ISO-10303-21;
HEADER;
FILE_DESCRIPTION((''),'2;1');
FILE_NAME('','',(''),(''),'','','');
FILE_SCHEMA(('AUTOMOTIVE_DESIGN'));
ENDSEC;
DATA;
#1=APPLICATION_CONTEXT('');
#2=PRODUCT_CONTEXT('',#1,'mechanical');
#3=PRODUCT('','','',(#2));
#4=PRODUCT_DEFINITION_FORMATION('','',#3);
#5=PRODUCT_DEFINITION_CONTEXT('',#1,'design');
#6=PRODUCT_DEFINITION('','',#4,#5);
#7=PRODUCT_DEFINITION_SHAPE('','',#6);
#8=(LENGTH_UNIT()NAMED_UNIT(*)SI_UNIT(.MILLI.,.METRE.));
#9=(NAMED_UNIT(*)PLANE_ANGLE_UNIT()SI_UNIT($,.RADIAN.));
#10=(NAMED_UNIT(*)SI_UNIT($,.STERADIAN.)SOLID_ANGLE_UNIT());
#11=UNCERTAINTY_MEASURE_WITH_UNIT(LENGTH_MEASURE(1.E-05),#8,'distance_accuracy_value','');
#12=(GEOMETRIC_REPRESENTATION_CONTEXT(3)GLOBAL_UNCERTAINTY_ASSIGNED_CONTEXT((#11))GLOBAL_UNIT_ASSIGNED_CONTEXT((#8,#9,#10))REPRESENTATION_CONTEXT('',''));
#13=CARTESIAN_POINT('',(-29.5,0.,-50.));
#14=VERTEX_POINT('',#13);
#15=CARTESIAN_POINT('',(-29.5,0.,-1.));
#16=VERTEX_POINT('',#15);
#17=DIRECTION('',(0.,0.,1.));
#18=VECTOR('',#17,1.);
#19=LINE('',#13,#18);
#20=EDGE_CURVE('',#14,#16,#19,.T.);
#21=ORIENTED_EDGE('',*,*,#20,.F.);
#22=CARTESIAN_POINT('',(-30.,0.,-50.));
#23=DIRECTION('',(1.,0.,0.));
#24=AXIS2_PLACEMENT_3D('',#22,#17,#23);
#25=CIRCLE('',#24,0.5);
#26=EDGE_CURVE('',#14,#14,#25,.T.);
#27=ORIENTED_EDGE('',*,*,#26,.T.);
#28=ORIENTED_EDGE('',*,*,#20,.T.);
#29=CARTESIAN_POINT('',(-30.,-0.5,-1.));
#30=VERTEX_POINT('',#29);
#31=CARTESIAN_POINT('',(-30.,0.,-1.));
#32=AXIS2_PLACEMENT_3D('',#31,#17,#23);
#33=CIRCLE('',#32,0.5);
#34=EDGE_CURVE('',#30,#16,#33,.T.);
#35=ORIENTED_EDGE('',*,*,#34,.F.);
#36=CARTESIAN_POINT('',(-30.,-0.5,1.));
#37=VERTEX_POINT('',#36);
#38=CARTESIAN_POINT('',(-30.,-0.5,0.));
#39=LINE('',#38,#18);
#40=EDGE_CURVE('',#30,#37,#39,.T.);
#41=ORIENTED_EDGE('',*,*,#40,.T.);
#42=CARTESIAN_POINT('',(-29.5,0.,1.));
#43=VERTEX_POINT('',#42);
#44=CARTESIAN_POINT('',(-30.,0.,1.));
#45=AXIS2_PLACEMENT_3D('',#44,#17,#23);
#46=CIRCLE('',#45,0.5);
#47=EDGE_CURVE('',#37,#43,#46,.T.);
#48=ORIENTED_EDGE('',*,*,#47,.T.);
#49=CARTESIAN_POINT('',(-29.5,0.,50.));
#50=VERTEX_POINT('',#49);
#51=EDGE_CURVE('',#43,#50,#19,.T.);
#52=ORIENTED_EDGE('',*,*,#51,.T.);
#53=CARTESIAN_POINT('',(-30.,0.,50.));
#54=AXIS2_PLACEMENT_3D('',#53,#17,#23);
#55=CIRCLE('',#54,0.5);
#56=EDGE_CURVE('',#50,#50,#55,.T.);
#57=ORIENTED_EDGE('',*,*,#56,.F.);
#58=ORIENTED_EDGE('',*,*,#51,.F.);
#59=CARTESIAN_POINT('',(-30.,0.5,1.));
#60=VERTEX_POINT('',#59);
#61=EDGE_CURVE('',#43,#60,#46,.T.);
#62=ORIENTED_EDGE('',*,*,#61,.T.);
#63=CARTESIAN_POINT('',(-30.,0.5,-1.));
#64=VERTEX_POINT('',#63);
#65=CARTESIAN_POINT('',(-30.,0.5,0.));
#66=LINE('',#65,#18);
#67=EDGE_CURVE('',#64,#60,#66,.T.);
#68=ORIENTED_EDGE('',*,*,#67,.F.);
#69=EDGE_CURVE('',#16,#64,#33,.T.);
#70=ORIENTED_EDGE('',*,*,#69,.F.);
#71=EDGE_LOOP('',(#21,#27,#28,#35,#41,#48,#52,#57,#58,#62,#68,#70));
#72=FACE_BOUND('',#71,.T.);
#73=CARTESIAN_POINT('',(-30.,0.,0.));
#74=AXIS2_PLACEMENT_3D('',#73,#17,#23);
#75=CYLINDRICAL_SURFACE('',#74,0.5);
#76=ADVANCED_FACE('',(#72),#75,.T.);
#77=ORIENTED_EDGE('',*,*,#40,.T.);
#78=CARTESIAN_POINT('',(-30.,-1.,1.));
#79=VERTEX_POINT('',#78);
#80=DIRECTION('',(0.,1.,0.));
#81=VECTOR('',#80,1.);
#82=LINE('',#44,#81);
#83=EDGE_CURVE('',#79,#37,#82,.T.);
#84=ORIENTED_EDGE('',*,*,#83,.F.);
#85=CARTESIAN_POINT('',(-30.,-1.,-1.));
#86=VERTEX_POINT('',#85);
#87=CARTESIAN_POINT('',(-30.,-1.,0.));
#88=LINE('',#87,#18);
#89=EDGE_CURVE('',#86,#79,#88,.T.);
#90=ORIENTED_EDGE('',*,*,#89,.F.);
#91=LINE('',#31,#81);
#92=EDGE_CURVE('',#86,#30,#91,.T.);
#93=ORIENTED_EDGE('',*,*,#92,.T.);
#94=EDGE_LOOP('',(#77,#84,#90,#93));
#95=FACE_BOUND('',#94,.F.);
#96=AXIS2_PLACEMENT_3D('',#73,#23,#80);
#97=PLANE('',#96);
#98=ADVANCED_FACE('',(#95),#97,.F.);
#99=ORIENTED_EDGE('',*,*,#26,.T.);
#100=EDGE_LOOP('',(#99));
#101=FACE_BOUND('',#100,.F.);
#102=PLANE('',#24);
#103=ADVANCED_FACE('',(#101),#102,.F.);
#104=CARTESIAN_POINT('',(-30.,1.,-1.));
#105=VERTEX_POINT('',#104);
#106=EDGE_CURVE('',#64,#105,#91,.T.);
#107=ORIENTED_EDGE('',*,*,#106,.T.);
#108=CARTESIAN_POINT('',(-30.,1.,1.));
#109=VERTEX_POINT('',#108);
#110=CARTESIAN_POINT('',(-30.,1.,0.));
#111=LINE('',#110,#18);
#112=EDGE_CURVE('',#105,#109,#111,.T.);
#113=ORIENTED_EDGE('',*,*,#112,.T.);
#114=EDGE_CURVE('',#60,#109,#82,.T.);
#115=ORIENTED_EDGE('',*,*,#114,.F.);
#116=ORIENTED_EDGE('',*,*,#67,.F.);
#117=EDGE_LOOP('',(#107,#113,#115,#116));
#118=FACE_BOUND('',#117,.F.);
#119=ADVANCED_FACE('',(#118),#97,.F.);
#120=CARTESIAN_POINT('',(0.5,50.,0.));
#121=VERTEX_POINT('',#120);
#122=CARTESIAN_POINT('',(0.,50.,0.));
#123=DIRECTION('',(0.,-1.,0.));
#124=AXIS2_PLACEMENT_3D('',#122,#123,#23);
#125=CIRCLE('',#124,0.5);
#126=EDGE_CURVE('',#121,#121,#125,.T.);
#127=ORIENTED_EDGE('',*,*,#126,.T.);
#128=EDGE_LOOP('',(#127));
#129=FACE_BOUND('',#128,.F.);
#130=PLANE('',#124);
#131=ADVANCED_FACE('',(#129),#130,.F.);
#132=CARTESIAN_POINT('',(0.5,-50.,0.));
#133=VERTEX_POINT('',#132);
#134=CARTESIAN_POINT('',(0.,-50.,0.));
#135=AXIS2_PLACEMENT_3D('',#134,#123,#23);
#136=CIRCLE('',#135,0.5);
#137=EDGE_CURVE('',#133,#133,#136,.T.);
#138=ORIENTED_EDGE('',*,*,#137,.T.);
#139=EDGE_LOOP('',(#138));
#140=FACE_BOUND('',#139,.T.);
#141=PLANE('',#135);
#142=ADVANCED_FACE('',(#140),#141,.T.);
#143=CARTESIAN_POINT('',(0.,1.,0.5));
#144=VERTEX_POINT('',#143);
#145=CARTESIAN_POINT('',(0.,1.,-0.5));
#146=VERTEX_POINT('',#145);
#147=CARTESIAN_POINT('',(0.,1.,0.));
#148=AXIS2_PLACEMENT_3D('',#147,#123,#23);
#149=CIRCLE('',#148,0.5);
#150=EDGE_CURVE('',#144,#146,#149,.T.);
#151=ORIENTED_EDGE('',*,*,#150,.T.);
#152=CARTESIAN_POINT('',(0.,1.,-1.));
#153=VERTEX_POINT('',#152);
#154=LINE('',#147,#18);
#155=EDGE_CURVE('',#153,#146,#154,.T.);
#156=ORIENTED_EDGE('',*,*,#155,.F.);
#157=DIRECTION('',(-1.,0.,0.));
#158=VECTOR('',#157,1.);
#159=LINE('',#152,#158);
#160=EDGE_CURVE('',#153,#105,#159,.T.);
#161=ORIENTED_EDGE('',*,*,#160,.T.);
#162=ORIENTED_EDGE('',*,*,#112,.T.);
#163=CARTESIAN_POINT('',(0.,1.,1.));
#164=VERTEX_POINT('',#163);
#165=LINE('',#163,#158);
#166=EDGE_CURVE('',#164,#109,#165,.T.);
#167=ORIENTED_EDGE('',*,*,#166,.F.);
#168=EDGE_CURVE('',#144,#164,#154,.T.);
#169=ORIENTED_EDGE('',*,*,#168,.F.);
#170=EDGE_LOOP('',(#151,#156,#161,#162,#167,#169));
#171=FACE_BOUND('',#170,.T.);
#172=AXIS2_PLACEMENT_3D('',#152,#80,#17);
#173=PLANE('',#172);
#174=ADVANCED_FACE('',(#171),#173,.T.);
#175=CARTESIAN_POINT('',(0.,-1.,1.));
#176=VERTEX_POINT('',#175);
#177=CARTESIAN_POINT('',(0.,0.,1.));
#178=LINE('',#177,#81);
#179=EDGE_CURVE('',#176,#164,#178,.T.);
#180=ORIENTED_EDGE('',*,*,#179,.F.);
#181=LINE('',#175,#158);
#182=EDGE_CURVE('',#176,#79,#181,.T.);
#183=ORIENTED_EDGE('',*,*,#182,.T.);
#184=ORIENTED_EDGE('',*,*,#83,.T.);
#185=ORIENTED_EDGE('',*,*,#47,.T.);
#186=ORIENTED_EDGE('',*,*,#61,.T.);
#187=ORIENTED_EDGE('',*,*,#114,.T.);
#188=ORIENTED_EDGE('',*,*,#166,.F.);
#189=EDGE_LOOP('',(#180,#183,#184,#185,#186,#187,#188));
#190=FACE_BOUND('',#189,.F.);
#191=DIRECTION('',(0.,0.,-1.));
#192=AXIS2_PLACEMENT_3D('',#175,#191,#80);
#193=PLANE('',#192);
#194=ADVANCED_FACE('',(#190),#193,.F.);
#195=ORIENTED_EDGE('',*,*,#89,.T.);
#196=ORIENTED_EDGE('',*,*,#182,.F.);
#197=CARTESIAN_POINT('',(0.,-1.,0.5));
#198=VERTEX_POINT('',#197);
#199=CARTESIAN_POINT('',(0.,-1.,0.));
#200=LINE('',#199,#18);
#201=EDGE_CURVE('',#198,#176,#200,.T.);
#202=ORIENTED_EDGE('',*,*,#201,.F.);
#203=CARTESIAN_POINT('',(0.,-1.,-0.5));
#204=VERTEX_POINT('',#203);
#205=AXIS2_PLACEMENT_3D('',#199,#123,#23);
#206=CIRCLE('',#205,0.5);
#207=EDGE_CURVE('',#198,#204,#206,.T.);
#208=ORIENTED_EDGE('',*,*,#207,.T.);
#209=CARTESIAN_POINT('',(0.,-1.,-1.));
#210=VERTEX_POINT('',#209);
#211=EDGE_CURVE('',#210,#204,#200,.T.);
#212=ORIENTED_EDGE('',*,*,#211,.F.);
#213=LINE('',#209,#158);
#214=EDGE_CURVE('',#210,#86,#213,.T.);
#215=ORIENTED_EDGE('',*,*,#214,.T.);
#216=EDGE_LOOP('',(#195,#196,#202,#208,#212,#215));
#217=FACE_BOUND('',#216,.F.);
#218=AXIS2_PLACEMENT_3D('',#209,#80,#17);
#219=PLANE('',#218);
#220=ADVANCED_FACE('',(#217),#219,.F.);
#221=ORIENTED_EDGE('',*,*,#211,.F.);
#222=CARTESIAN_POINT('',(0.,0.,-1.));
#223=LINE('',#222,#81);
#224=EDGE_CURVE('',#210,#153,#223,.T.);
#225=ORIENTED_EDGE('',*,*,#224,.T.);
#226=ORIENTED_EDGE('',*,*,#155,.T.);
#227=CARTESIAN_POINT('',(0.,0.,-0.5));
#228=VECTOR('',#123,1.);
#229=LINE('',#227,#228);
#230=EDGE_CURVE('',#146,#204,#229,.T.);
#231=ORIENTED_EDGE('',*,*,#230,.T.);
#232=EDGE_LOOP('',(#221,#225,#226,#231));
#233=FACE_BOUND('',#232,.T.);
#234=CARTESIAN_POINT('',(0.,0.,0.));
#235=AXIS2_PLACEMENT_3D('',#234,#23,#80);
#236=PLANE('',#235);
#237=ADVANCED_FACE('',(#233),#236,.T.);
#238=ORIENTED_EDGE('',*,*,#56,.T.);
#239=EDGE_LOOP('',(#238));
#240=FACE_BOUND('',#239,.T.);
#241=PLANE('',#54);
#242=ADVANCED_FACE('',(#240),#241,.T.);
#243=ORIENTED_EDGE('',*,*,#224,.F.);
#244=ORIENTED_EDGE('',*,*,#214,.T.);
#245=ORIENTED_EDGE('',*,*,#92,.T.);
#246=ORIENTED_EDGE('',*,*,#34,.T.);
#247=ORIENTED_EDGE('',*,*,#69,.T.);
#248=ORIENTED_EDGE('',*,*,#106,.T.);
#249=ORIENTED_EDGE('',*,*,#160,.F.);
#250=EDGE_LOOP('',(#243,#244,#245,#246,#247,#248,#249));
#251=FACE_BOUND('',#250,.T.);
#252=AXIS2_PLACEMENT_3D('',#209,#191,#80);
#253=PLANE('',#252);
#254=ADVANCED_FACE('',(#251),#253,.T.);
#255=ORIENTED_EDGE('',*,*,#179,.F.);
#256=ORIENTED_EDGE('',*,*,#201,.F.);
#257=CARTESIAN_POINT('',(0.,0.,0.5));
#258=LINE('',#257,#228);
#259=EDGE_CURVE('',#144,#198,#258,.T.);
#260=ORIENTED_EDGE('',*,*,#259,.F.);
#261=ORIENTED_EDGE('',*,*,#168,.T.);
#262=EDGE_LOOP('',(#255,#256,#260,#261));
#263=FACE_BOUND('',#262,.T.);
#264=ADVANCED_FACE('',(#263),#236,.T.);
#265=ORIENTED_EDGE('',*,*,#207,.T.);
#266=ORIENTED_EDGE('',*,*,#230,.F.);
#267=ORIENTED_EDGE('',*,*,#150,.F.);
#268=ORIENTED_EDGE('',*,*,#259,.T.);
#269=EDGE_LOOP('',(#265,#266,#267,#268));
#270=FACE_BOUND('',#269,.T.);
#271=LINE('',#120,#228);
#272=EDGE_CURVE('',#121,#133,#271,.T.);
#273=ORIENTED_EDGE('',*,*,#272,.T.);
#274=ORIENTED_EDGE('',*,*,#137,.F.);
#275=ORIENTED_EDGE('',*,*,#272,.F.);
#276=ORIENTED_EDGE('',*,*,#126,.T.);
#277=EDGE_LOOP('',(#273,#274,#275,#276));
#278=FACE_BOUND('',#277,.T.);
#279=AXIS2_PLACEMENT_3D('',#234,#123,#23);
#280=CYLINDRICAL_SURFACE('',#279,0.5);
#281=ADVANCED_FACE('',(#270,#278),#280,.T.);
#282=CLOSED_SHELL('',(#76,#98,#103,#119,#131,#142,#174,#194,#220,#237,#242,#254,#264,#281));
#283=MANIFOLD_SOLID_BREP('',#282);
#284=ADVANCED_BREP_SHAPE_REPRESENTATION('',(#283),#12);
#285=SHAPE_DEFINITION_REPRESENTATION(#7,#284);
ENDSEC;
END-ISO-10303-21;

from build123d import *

# Parameters (mm, degrees)
F3_R     = 0.5
F4_DEPTH = 50
F5_R     = 0.5
F6_DEPTH = 50
F7_W     = 2
F7_H     = 2
F8_DEPTH = 30


with BuildPart() as f4:
    # F3 (on Front) → F4 (new body, symmetric)
    with BuildSketch(Plane.XZ):
        Circle(F3_R)
    extrude(amount=F4_DEPTH, both=True)



with BuildPart() as f6:
    # F5 (on Top) → F6 (new body, symmetric)
    with BuildSketch(Plane.XY):
        with Locations((-30, 0)):
            Circle(F5_R)
    extrude(amount=F6_DEPTH, both=True)


with BuildPart() as f4_1:
    add(f4.part)

    add(f6.part)  # F8 merges F6
    # F7 (on Right) → F8 (join)
    with BuildSketch(Plane.YZ):
        Rectangle(F7_W, F7_H)
    extrude(amount=-F8_DEPTH)


solid = f4_1.part
